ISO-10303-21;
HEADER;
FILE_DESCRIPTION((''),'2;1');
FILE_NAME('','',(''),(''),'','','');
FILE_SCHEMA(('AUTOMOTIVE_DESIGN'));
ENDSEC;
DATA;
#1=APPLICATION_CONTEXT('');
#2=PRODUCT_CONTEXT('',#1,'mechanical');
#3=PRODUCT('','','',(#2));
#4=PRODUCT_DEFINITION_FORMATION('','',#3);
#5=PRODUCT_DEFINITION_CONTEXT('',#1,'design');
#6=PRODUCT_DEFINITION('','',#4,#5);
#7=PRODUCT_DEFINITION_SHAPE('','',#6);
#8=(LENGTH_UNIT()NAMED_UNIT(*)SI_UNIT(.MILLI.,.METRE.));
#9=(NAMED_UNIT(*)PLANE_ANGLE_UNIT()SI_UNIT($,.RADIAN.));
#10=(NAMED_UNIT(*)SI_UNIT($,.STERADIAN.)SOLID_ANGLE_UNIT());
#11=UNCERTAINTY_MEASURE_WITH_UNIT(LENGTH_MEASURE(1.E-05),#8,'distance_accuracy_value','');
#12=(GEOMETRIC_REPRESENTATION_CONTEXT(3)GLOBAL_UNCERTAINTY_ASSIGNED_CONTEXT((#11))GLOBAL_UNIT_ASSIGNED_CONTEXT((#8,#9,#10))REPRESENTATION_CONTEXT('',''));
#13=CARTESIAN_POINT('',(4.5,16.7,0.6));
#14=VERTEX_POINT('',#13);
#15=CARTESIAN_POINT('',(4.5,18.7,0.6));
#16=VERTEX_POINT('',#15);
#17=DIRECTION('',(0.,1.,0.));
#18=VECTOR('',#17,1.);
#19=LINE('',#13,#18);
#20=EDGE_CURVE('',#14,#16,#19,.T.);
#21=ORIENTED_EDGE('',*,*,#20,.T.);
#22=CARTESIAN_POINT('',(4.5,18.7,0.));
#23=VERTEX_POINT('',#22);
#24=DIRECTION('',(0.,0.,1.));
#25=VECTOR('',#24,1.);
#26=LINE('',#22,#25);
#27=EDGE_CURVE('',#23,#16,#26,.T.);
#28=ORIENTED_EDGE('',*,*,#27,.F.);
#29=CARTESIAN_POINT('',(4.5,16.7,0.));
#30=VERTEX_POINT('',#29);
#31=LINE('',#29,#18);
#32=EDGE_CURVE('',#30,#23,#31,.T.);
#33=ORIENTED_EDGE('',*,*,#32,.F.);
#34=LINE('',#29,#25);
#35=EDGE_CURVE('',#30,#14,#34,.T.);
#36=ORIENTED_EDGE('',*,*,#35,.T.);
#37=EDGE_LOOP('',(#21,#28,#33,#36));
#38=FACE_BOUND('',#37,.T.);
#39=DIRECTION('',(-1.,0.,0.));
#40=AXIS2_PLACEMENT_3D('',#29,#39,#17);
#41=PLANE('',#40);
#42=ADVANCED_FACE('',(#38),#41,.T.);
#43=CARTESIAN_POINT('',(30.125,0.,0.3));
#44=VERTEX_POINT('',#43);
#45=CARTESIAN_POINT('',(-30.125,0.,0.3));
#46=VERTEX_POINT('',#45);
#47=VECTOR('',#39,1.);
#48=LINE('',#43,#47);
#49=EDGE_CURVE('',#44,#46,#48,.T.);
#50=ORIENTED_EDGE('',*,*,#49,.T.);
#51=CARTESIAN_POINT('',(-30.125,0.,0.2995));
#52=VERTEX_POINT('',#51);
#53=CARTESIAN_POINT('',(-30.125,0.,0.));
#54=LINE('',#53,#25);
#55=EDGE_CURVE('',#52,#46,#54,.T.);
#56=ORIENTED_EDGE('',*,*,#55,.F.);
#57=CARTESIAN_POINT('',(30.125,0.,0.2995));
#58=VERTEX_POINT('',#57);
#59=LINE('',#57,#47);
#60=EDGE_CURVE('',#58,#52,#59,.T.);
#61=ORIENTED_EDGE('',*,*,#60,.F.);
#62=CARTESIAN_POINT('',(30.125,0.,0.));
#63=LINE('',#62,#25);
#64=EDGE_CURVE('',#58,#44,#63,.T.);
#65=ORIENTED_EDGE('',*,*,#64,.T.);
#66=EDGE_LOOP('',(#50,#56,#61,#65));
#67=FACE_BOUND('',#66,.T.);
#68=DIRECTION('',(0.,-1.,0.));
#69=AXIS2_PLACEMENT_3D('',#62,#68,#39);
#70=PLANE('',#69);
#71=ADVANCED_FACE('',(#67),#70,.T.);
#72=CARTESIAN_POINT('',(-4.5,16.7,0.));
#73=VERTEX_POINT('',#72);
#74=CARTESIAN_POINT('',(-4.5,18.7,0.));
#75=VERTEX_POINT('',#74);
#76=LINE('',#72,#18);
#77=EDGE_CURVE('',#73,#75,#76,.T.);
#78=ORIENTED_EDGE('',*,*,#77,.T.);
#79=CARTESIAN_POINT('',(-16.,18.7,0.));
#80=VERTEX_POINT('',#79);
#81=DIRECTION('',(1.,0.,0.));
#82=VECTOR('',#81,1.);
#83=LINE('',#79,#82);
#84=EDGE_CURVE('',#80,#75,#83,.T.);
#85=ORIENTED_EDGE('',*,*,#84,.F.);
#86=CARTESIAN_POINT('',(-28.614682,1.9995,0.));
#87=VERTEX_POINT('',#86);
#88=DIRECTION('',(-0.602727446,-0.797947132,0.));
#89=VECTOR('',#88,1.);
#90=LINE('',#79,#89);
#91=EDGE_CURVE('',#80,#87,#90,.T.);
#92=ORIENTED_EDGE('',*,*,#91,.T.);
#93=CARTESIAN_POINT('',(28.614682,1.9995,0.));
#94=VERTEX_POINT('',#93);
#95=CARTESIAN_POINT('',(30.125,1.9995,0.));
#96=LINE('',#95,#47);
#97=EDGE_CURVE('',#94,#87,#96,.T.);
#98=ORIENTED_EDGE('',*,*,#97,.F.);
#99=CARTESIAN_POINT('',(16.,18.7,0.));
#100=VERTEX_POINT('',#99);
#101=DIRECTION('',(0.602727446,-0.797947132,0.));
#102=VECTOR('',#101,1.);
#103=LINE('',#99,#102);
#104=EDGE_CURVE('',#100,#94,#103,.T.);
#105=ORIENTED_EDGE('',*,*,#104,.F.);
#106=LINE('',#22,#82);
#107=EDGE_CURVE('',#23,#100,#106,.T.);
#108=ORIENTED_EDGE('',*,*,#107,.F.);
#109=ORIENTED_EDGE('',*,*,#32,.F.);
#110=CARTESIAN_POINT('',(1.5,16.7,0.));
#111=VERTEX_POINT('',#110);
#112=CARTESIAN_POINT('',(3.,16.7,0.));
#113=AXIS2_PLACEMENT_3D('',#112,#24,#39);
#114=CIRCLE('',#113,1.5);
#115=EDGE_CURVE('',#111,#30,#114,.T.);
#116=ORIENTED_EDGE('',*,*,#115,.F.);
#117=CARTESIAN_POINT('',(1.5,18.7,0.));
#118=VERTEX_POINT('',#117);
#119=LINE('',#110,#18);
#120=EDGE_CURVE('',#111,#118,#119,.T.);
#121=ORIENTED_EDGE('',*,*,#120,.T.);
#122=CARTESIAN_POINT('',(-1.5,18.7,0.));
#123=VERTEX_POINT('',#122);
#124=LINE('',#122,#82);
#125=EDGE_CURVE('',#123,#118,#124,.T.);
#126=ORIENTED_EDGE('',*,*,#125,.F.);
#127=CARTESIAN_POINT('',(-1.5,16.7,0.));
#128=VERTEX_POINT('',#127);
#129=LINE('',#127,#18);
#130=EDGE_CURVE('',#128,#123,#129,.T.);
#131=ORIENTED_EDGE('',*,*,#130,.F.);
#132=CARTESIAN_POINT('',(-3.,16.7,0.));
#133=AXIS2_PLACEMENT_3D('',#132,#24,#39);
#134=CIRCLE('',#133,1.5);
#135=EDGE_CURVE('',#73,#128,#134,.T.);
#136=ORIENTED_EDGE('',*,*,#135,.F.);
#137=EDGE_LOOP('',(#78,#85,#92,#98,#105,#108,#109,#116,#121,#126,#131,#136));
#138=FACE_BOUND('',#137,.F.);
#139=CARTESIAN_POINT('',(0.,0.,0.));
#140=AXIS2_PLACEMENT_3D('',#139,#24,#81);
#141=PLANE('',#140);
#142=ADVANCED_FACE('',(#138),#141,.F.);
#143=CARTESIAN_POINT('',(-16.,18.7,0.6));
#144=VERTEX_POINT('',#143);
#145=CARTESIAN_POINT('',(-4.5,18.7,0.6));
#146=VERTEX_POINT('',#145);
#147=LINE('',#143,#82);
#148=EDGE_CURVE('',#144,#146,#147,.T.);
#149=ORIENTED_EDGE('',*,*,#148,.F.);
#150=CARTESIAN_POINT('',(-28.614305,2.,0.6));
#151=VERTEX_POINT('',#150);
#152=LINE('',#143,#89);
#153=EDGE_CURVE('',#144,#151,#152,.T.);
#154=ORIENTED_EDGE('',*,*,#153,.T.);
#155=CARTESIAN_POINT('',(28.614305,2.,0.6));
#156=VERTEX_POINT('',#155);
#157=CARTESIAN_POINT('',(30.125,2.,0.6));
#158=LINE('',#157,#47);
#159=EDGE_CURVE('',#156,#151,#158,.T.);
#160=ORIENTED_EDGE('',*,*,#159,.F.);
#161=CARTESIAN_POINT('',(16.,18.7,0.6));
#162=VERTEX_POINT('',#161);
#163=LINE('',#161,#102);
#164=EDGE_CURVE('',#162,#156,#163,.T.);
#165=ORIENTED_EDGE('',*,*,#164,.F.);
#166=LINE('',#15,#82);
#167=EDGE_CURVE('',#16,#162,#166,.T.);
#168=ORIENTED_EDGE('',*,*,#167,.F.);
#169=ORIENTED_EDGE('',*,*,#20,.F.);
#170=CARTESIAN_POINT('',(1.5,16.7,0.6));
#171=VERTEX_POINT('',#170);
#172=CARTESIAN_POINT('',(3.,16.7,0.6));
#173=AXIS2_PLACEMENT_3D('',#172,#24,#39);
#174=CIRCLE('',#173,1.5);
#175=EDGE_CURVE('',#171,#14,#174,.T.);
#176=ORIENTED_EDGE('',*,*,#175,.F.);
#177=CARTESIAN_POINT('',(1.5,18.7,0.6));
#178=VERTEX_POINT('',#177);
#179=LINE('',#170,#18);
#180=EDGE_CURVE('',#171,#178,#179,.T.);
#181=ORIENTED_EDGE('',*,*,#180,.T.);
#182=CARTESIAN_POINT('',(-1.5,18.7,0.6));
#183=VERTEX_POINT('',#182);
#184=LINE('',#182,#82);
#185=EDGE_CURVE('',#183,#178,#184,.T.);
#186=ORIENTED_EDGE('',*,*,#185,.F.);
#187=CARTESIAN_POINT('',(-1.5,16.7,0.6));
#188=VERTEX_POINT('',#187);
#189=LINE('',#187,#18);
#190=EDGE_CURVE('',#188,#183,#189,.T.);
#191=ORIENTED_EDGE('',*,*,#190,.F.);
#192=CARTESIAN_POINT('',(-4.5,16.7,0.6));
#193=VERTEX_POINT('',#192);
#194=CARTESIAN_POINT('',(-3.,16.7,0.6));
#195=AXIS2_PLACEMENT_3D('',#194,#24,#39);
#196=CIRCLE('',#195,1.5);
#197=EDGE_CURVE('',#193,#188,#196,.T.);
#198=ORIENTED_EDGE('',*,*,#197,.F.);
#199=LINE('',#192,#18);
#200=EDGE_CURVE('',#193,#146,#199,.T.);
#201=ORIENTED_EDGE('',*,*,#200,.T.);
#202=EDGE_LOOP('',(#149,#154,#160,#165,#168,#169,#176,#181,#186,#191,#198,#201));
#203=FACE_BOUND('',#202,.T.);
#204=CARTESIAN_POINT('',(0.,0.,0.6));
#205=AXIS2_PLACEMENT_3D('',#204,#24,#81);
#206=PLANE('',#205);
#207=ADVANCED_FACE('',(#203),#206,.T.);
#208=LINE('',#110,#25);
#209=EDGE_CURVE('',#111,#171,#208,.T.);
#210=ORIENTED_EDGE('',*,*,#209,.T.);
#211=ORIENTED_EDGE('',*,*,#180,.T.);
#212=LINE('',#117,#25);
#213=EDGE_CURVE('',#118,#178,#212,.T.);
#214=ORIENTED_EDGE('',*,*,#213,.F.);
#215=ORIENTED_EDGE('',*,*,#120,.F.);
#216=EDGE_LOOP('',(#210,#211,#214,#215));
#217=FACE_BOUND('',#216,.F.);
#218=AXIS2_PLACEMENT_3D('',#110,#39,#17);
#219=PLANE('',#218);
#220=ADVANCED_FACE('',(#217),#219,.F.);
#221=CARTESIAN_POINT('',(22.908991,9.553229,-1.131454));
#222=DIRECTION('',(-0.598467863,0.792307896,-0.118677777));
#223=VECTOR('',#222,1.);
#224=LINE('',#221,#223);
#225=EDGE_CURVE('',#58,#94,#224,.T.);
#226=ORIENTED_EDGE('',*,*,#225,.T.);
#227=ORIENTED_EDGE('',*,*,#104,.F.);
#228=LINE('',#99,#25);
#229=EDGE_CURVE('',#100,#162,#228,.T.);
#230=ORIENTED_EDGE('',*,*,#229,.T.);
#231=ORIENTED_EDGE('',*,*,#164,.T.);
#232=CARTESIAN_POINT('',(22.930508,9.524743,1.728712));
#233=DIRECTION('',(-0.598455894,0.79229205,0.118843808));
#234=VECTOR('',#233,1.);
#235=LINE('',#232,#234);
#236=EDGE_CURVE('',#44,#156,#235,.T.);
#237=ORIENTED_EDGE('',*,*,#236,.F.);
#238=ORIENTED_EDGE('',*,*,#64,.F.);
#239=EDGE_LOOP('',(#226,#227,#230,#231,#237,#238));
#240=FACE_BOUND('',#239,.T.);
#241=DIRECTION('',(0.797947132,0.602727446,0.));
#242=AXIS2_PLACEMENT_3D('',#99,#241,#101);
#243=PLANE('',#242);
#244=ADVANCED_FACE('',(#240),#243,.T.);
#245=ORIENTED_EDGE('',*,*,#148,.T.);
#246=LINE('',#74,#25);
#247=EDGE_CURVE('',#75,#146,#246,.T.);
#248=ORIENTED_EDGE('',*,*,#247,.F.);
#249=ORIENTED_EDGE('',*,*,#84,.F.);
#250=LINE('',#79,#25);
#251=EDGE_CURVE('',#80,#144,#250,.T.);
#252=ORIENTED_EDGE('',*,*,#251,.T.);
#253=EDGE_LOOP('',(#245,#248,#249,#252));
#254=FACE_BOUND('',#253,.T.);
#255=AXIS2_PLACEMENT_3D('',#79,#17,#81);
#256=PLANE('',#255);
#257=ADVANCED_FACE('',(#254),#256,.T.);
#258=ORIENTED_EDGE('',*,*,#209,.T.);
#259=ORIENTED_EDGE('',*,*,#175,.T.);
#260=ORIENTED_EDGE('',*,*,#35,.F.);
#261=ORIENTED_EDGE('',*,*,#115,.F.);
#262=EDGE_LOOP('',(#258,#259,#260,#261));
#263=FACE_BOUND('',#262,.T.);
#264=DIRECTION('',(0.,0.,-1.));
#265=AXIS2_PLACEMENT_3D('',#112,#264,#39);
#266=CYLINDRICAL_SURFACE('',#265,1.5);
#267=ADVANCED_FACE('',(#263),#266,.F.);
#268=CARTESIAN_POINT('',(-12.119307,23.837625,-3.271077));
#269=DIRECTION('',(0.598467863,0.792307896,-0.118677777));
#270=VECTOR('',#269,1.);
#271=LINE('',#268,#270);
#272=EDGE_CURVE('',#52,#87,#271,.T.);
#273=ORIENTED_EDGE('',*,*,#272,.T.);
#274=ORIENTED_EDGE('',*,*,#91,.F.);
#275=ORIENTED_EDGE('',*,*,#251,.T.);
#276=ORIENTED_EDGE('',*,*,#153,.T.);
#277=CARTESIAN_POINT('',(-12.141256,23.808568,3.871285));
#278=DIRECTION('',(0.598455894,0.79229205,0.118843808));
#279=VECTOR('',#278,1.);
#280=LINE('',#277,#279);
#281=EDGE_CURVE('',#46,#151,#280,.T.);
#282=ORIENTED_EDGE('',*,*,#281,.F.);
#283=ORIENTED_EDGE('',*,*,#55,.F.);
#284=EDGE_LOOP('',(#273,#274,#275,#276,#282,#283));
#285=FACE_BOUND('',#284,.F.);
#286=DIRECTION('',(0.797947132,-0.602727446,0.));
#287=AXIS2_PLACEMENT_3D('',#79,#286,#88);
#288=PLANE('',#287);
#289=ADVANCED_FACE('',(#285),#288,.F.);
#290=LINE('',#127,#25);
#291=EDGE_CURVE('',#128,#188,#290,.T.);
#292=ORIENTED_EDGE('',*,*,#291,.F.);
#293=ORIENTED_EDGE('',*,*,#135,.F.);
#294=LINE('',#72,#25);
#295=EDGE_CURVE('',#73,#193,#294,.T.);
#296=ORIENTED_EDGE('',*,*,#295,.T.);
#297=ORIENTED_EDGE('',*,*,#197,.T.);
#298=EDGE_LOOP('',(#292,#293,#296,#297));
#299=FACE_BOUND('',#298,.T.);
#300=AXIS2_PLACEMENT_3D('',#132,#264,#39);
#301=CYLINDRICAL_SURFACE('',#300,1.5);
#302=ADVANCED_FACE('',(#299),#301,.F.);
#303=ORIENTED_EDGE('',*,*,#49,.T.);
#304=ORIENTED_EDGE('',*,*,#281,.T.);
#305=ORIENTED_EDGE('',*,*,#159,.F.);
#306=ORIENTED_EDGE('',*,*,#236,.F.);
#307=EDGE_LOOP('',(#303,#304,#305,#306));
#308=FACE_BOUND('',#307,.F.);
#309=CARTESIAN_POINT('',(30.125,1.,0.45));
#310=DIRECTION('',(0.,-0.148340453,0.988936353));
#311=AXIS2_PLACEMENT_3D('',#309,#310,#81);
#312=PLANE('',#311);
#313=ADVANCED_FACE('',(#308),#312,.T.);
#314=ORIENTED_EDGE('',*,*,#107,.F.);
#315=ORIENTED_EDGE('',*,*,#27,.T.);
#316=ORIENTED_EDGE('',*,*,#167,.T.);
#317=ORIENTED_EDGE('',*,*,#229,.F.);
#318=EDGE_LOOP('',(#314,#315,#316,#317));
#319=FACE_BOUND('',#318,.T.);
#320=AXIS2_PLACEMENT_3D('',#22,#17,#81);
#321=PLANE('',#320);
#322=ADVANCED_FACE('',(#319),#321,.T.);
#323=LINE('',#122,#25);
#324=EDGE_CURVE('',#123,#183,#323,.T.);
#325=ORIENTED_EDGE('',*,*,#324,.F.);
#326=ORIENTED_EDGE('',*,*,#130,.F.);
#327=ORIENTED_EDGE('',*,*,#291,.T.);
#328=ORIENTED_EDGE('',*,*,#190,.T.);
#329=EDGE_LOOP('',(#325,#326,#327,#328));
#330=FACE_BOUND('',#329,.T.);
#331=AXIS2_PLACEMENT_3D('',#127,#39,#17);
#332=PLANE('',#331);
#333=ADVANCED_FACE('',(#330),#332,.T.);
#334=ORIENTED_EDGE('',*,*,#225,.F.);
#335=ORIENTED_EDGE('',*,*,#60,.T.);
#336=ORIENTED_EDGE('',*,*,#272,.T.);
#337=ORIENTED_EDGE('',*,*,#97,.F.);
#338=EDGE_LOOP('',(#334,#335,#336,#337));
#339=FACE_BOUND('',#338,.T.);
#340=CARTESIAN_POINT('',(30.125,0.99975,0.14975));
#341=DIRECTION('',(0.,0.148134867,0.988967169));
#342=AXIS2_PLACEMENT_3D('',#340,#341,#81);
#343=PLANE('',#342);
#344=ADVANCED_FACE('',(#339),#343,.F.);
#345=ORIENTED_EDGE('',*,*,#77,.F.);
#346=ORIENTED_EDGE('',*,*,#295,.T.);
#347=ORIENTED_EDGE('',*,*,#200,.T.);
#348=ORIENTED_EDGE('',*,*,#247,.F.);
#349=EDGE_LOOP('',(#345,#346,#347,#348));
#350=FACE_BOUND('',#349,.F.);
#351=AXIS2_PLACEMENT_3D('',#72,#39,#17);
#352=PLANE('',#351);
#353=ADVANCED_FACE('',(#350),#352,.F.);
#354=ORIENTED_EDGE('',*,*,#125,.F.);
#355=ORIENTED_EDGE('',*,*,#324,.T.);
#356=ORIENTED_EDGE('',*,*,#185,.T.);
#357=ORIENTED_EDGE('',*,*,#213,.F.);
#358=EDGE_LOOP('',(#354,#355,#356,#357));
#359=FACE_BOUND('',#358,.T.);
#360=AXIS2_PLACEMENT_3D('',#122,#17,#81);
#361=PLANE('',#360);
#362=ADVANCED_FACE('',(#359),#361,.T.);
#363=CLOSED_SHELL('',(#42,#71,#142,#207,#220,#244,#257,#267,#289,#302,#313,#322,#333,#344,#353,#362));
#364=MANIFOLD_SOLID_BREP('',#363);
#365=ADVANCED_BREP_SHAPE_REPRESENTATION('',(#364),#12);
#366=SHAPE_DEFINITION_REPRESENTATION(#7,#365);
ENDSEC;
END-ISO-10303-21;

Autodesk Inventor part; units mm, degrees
ref_plane "YZ Plane" through (0, 0, 0) normal (1, 0, 0) x (0, 1, 0)
ref_plane "XZ Plane" through (0, 0, 0) normal (0, 1, 0) x (-1, 0, 0)
ref_plane "XY Plane" through (0, 0, 0) normal (0, 0, 1) x (1, 0, 0)
sketch "Sketch1" plane through (0, 0, 0) normal (0, 0, 1) x (1, 0, 0)
  line L0 (30.125, 0) -> (-30.125, 0)
  line L1 (-16, 18.7) -> (-16, -21.1524) construction
  line L2 (16, 36.5388) -> (16, -18.8821) construction
  line L3 (-16, 18.7) -> (-30.125, 0)
  line L4 (16, 18.7) -> (30.125, 0)
  arc A0 (-4.5, 16.7) -> (-1.5, 16.7) centre (-3, 16.7) ccw
  line L5 (-4.5, 16.7) -> (-4.5, 18.7)
  line L6 (-1.5, 16.7) -> (-1.5, 18.7)
  line L7 (0, 0.7455) -> (0, 23.152) construction
  arc A1 (1.5, 16.7) -> (4.5, 16.7) centre (3, 16.7) ccw
  line L8 (4.5, 16.7) -> (4.5, 18.7)
  line L9 (1.5, 16.7) -> (1.5, 18.7)
  line L10 (4.5, 18.7) -> (16, 18.7)
  line L11 (16, 18.7) -> (4.5, 18.7)
  line L12 (-16, 18.7) -> (-4.5, 18.7)
  line L13 (-1.5, 18.7) -> (1.5, 18.7)
  line L14 (1.5, 18.7) -> (-1.5, 18.7)
  line L15 (-4.5, 18.7) -> (-16, 18.7)
  point P0 (0, 0)
  point P1 (30.125, 18.7)
  point P2 (-30.125, 18.7)
  dimension "d0" = 0
  dimension "d4" = 16
  dimension "d6" = 3
extrude "Extrusion1" add sketch "Sketch1" along normal blind 0.6
chamfer "Chamfer1" distance 0.3 distance2 2 1 edges at (0, 0, 0.6) measured on face at (-10.0417, 0, 0.2)
chamfer "Chamfer2" distance 0.3 distance2 2 1 edges at (0, 0, 0) measured on face at (10.0417, 0, 0.2)
properties part number "Utility Blade (Stanley)"
